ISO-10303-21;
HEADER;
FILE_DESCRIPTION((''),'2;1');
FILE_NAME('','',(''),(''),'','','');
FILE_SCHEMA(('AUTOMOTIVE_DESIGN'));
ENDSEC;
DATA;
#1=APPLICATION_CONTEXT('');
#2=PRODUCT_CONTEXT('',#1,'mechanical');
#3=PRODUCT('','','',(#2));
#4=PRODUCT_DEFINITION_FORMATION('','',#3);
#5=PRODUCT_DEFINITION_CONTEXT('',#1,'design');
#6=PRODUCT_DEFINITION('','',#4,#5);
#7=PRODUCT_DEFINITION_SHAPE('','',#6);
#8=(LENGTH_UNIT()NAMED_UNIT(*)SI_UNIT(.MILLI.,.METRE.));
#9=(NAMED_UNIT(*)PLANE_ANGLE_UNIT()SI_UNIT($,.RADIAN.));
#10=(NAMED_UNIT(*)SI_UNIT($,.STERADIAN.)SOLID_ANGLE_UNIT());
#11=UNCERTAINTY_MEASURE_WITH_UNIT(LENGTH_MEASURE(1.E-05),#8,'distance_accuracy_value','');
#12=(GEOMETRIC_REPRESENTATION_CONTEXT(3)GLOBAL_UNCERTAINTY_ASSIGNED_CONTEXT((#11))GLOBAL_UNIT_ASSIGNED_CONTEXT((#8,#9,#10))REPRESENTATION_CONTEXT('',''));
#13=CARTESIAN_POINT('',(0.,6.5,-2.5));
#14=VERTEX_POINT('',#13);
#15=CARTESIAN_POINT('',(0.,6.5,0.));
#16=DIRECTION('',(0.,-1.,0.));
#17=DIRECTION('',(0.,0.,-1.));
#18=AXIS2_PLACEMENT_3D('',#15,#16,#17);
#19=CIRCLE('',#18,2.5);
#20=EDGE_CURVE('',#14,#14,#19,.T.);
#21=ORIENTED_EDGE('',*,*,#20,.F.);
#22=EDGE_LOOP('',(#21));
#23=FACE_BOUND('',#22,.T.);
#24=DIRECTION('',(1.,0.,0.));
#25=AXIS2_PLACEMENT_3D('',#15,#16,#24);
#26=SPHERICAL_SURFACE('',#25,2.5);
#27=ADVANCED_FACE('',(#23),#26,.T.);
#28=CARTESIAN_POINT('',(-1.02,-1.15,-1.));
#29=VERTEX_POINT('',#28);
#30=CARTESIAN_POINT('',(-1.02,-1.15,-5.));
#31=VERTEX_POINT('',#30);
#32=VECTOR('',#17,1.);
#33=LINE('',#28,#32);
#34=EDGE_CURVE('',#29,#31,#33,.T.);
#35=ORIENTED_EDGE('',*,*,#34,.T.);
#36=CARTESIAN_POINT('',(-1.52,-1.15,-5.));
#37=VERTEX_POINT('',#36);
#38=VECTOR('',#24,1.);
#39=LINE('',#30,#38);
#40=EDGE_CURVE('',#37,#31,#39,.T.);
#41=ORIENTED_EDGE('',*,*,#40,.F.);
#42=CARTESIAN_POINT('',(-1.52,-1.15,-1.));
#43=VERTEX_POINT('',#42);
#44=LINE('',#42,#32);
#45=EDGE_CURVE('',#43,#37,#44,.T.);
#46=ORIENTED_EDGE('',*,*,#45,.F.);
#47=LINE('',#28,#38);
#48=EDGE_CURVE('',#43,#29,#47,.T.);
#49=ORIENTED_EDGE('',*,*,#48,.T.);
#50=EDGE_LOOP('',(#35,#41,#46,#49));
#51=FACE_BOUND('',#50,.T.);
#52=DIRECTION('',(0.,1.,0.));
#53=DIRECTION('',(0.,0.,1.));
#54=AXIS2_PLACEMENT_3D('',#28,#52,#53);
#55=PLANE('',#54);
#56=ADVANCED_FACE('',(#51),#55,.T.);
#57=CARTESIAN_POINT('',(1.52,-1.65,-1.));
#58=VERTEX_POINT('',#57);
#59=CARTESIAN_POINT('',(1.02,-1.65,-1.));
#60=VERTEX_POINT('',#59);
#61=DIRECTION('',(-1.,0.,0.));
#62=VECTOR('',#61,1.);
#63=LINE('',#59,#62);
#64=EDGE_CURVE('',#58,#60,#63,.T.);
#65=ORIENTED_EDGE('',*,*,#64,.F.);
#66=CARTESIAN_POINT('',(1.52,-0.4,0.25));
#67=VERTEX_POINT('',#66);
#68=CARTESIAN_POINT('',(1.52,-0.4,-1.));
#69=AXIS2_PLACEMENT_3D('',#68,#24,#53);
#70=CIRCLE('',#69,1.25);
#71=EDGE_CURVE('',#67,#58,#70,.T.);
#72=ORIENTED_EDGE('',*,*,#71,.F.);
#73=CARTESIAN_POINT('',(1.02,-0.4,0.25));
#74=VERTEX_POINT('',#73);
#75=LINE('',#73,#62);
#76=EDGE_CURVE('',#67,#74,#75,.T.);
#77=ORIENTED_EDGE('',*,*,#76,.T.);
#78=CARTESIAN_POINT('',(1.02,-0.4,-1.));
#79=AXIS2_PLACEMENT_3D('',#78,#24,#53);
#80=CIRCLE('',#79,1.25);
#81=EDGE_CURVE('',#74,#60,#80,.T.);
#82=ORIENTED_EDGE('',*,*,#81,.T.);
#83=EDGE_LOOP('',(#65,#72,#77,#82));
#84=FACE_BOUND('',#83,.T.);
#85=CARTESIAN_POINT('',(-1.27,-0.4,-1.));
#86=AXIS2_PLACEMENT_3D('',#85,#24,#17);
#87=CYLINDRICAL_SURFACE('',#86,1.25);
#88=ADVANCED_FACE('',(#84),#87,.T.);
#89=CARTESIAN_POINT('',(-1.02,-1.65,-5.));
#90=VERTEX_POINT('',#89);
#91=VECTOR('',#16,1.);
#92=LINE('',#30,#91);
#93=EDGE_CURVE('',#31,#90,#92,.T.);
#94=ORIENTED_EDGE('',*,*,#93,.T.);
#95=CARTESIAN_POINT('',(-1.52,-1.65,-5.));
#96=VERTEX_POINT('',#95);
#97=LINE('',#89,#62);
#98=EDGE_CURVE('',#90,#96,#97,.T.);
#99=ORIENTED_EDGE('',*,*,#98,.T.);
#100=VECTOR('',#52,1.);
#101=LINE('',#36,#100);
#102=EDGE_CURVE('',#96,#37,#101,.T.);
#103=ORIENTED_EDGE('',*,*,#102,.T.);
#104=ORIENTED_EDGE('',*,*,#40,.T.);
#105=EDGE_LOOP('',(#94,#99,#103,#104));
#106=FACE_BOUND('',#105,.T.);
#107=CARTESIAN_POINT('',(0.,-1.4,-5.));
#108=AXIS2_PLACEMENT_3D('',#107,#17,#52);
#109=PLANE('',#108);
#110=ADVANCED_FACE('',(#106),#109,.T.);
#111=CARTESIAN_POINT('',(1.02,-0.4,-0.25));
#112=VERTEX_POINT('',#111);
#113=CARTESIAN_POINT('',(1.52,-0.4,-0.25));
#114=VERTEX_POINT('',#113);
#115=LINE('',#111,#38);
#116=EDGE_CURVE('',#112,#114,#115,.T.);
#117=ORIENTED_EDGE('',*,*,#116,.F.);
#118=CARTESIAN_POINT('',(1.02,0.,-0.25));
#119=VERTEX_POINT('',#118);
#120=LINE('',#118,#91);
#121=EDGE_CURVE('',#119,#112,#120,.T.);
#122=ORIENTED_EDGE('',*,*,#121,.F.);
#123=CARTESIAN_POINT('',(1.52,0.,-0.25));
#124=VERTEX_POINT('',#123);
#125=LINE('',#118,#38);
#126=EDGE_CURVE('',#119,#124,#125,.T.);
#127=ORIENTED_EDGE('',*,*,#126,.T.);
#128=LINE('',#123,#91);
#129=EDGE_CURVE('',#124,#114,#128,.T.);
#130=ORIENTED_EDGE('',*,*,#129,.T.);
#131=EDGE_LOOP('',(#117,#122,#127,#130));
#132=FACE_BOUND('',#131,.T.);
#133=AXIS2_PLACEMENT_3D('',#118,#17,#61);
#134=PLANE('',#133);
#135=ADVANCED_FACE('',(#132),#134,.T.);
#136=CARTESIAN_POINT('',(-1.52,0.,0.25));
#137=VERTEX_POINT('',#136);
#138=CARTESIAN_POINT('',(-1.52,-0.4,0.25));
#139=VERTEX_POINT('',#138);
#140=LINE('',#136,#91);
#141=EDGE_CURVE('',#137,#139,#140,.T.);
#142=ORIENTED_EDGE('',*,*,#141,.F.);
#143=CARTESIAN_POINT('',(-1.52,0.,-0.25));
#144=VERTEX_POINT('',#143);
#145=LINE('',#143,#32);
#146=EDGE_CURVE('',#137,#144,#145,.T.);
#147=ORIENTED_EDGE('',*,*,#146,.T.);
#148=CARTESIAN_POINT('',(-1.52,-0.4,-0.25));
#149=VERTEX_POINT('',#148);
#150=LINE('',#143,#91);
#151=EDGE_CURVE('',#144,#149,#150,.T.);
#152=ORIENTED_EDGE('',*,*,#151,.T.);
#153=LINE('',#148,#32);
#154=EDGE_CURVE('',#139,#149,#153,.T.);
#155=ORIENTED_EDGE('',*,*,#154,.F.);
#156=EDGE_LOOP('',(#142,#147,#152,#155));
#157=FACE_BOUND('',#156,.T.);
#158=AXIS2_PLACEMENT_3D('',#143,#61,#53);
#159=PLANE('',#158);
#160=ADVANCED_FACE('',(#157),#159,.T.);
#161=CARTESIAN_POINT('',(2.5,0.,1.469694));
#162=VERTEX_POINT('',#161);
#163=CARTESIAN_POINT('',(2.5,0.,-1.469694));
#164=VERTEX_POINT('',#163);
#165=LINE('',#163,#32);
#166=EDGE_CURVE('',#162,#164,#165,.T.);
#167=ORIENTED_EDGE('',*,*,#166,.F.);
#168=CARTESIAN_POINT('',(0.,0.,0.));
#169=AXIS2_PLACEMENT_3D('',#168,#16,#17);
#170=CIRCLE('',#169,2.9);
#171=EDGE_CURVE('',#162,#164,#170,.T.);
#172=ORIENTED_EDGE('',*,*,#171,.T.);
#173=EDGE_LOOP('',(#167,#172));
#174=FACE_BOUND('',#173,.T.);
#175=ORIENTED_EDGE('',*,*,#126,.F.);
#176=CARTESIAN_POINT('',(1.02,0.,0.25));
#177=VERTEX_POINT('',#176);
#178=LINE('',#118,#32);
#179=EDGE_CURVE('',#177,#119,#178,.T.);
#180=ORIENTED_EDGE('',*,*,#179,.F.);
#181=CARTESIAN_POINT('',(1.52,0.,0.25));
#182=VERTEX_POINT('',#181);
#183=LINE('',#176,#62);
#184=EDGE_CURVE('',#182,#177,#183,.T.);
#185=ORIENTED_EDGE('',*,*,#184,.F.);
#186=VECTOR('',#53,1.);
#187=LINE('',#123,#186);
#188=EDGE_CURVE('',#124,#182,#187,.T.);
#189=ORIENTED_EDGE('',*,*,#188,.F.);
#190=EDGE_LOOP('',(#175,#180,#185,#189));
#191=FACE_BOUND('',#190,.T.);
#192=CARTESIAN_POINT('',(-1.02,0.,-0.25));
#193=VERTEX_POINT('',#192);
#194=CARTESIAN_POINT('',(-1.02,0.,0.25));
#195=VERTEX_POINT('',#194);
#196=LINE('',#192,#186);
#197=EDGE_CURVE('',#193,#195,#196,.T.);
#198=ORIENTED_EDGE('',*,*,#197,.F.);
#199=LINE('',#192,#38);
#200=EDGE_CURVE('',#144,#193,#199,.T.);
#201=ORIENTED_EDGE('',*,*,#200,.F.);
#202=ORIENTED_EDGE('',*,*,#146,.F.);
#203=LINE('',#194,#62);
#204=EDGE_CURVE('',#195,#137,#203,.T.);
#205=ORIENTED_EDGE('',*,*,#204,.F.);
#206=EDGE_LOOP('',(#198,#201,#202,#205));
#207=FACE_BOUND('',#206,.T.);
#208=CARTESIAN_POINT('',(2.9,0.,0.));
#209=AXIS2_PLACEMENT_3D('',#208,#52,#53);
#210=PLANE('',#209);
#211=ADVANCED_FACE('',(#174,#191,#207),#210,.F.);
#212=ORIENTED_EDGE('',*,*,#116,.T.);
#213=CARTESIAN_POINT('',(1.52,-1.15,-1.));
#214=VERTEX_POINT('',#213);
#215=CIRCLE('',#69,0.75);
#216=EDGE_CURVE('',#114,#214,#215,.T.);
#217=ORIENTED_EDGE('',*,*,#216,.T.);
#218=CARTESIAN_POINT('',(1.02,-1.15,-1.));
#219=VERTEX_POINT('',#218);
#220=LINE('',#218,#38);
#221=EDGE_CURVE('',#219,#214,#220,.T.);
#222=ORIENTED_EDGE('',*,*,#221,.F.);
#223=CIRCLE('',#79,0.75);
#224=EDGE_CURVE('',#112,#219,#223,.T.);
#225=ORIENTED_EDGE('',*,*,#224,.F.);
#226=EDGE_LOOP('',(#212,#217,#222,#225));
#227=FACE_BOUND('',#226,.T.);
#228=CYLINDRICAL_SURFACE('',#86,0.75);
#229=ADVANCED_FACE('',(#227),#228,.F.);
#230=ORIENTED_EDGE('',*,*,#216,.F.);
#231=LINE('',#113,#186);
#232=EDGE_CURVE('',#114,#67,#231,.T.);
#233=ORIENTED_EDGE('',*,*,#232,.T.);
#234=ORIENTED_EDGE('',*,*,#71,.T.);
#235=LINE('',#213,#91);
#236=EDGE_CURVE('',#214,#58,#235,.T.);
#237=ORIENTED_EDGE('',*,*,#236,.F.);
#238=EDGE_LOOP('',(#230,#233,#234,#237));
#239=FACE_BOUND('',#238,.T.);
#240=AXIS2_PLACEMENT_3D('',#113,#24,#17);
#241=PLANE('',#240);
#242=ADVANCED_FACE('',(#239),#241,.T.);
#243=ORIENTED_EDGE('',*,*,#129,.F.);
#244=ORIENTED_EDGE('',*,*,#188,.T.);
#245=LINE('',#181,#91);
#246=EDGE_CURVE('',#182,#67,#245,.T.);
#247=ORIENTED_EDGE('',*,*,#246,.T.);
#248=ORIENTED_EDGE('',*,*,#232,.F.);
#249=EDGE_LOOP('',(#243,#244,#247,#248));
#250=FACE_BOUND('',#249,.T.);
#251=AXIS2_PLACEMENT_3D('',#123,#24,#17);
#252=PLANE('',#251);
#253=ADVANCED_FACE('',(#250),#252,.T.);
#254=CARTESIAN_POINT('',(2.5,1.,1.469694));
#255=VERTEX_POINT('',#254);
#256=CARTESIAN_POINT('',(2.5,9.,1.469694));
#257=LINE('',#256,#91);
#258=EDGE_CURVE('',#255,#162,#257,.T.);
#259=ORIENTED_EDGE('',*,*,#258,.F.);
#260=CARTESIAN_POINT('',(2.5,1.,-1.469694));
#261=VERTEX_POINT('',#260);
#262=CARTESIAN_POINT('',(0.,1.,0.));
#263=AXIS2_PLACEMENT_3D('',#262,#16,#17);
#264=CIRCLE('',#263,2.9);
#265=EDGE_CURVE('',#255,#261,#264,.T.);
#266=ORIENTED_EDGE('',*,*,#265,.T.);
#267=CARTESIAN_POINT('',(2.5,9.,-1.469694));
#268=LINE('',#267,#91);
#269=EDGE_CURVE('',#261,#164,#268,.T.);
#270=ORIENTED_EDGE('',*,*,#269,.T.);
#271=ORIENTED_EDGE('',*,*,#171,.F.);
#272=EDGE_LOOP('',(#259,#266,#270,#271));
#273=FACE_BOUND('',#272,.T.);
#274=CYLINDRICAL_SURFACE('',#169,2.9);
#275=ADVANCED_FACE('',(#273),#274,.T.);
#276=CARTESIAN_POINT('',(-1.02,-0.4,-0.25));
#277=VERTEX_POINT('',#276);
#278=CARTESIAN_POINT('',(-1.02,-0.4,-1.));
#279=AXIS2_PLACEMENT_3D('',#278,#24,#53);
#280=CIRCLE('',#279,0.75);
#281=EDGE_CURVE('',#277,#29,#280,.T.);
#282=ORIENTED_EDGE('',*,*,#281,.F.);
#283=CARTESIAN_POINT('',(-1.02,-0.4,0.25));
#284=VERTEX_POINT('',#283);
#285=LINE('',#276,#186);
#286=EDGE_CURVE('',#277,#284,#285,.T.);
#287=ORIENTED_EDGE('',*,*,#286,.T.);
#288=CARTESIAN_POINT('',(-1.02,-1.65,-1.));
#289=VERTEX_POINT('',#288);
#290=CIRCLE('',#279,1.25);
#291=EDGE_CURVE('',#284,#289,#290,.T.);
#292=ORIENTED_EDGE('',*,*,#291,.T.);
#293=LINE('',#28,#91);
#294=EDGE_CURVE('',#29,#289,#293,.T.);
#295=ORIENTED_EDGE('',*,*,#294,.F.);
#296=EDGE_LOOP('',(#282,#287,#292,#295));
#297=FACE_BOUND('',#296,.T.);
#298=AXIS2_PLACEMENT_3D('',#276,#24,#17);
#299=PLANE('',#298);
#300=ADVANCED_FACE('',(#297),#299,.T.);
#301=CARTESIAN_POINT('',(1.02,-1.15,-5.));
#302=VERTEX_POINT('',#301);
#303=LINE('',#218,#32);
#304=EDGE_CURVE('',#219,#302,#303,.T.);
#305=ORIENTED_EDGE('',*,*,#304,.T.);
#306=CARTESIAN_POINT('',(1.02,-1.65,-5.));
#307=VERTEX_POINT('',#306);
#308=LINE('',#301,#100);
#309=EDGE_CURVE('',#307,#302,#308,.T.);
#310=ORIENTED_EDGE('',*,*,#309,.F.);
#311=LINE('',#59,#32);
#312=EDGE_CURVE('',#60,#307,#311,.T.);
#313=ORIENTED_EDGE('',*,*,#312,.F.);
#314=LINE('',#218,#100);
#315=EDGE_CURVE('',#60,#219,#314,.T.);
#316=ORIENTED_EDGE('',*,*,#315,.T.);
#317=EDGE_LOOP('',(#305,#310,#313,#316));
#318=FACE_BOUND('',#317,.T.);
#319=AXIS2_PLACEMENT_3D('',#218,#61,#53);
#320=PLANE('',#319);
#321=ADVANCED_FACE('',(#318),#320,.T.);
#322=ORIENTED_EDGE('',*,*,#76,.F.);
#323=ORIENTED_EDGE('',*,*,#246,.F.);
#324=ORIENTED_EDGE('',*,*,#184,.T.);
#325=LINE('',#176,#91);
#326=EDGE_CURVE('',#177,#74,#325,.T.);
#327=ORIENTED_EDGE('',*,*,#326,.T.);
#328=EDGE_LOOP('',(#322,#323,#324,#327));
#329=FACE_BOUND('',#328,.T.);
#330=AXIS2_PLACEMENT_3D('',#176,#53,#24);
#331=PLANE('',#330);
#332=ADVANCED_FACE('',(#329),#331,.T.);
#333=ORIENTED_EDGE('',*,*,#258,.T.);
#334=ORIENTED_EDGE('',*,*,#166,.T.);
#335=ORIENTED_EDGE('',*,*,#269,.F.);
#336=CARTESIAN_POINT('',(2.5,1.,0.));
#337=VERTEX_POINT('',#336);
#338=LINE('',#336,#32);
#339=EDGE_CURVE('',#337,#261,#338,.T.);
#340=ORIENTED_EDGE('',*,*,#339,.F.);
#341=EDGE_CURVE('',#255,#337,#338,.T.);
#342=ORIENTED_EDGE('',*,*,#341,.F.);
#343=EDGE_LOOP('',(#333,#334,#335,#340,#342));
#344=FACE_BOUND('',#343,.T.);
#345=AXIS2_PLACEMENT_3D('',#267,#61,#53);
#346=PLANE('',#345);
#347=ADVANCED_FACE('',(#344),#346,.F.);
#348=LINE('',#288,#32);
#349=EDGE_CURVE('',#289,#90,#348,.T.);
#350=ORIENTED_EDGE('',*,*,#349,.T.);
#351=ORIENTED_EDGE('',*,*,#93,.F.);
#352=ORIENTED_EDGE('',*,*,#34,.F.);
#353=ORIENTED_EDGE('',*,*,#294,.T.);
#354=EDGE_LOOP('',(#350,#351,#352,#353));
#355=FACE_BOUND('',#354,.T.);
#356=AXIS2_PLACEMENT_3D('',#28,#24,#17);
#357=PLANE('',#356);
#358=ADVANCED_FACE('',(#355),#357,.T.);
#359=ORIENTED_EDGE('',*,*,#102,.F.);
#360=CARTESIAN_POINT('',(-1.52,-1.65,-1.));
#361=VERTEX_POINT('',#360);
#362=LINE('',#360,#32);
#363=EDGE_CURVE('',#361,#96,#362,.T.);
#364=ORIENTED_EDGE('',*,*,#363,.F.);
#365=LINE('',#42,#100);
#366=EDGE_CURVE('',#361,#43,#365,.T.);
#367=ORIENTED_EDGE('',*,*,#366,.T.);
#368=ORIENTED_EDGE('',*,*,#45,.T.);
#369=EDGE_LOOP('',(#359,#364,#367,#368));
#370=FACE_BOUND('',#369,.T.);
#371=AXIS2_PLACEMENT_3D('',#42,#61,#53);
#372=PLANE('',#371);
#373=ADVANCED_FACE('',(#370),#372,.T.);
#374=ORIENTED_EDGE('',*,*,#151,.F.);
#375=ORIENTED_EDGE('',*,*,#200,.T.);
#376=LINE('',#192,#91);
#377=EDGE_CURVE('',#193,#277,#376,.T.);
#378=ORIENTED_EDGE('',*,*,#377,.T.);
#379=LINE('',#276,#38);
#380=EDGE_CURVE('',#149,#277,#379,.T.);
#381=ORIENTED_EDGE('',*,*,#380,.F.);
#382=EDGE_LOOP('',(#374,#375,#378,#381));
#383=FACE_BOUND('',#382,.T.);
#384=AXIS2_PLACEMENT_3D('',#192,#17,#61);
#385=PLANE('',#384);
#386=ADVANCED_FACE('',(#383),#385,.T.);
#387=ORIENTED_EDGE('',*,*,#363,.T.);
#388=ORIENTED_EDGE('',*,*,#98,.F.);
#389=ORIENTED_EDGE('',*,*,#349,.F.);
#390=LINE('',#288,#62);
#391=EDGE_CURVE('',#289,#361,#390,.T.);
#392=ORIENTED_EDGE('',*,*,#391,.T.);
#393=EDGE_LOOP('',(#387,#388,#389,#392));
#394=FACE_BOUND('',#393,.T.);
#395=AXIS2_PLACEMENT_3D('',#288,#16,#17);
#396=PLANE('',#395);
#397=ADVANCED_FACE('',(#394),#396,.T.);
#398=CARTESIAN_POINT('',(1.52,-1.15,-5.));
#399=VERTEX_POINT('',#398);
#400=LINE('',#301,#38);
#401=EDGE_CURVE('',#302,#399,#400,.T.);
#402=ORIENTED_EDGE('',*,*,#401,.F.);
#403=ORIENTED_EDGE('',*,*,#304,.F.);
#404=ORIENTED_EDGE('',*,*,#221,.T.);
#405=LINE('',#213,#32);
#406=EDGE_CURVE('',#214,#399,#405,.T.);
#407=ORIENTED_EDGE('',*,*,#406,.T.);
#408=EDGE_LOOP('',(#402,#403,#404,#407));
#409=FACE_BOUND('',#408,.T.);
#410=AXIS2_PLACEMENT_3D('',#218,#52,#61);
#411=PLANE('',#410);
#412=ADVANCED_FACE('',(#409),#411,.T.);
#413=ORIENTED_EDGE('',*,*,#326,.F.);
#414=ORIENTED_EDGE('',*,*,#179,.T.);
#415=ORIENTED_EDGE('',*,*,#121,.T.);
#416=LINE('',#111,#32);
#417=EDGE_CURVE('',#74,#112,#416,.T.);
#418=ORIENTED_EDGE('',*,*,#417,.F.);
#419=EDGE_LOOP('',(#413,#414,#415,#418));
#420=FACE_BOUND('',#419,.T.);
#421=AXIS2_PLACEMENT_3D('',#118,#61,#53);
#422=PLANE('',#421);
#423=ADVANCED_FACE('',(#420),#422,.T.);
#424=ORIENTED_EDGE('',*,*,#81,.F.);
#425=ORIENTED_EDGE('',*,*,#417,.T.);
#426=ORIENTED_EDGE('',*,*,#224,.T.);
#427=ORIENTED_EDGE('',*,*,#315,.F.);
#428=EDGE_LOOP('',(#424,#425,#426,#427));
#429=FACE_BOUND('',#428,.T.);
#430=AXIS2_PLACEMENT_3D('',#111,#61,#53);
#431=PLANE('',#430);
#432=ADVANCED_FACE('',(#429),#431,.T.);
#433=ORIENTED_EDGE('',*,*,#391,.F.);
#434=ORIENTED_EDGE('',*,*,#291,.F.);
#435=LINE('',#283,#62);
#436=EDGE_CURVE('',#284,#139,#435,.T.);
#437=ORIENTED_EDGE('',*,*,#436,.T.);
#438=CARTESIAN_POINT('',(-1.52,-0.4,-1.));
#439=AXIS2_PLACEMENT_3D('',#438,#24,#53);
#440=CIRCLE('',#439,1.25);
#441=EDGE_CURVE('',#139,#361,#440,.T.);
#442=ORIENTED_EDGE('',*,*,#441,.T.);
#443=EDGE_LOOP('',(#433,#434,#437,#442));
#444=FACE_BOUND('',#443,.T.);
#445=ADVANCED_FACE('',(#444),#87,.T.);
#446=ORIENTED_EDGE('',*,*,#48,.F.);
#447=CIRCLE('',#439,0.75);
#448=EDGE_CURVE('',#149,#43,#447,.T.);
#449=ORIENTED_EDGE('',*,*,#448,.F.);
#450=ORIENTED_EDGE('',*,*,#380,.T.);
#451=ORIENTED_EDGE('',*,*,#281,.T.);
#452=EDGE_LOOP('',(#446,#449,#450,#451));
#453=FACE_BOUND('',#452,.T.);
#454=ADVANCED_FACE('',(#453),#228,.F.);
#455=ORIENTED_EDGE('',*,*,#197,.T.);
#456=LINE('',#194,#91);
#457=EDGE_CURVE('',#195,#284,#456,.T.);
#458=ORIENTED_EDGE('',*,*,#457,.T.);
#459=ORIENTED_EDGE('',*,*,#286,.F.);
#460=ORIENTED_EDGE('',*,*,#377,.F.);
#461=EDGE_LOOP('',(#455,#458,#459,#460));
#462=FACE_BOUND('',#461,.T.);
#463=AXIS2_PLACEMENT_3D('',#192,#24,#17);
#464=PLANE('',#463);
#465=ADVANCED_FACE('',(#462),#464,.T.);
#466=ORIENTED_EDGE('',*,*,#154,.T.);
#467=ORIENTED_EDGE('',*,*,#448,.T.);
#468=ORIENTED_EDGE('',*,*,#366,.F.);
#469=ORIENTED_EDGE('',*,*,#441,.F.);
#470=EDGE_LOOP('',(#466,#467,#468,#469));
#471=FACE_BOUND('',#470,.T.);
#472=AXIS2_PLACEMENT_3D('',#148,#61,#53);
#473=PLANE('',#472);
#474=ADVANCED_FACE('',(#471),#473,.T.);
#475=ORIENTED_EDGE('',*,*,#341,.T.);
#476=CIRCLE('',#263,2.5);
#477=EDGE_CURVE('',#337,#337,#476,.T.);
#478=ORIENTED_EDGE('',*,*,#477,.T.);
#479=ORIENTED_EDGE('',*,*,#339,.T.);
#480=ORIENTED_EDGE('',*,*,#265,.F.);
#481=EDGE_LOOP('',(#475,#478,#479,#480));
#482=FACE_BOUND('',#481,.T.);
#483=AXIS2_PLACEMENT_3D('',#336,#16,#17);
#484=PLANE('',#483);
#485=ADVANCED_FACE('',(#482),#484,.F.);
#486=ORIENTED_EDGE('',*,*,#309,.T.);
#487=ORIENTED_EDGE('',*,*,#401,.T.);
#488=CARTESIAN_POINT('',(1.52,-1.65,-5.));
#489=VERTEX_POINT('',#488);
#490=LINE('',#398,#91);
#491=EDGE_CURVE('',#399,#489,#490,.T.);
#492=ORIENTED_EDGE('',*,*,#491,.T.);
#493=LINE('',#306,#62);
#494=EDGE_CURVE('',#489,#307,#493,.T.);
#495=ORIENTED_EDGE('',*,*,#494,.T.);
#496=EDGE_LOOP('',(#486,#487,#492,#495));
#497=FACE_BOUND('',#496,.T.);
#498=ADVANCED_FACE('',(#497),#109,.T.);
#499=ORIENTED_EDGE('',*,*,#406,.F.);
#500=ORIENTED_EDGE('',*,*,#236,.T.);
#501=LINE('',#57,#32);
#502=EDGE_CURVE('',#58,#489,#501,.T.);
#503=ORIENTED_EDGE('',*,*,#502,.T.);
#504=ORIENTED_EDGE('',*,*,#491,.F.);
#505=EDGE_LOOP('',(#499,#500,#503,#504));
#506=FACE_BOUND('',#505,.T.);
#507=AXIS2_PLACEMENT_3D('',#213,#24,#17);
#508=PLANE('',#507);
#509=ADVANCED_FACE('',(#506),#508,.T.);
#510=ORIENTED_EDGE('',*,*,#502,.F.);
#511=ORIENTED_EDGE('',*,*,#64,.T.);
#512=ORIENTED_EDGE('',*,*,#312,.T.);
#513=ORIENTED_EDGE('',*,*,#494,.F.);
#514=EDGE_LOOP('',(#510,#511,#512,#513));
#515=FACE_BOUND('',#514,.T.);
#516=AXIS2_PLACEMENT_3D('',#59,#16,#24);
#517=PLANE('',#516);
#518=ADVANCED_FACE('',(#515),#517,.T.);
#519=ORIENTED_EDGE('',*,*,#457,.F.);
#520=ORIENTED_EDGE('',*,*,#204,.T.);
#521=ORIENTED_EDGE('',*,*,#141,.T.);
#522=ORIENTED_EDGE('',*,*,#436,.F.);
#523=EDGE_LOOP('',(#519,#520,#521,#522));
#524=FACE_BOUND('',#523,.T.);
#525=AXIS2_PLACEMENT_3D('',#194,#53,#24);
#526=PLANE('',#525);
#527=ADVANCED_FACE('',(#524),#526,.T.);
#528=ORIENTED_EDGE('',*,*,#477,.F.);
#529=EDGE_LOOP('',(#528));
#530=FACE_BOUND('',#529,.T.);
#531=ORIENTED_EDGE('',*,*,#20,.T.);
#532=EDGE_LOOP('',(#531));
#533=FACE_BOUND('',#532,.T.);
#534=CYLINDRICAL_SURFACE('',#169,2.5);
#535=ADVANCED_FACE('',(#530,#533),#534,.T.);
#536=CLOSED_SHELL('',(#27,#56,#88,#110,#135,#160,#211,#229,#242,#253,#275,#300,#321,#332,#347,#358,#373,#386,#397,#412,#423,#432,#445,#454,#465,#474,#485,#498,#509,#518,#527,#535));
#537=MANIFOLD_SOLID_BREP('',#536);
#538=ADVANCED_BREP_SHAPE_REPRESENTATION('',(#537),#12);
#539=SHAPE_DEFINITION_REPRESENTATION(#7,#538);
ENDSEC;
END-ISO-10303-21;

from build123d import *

# Parameters (mm, degrees)
SKETCH2_W          = 0.4
SKETCH2_H          = 2.939387692
CUT_EXTRUDE1_DEPTH = 10.890399385
SKETCH3_W          = 0.5
SKETCH3_H          = 0.5


with BuildPart() as part:
    # Sketch1 → Revolve1 (revolve)
    with BuildSketch(Plane(origin=(0, 0, 0), x_dir=(1, 0, 0), z_dir=(0, 0, -1)), mode=Mode.PRIVATE) as revolve1_sk:
        with BuildLine():
            Line((0, 0), (0, -9))
            ThreePointArc((0, -9), (1.767766953, -8.267766953), (2.5, -6.5))
            Line((2.5, -6.5), (2.5, -1))
            Line((2.5, -1), (2.9, -1))
            Line((2.9, -1), (2.9, 0))
            Line((2.9, 0), (0, 0))
        make_face()
    revolve(revolve1_sk.sketch.rotate(Axis((0, 0, 0), (0, 1, 0)), 90), axis=Axis((0, 0, 0), (0, 1, 0)))

    # Sketch2 → Cut-Extrude1 (cut, through all)
    with BuildSketch(Plane(origin=(0, 0, 0), x_dir=(-1, 0, 0), z_dir=(0, -1, 0))):
        with Locations((-2.7, 0)):
            Rectangle(SKETCH2_W, SKETCH2_H)
    extrude(amount=-CUT_EXTRUDE1_DEPTH, mode=Mode.SUBTRACT)

    # Sweep1: sweep along a path in Sketch4
    with BuildLine(Plane(origin=(-1.27, 0, 0), x_dir=(0, 0, -1), z_dir=(1, 0, 0))) as sweep1_path:
        Line((0, 0), (0, -0.4))
        ThreePointArc((0, -0.4), (0.292893219, -1.107106781), (1, -1.4))
        Line((1, -1.4), (5, -1.4))
    # Sketch3 → Sweep1 (sweep)
    with BuildSketch(Plane(origin=(0, 0, 0), x_dir=(-1, 0, 0), z_dir=(0, -1, 0))):
        with Locations((-1.27, 0)):
            Rectangle(SKETCH3_W, SKETCH3_H)
        with Locations((1.27, 0)):
            Rectangle(SKETCH3_W, SKETCH3_H)
    sweep(path=sweep1_path.line)


solid = part.part
